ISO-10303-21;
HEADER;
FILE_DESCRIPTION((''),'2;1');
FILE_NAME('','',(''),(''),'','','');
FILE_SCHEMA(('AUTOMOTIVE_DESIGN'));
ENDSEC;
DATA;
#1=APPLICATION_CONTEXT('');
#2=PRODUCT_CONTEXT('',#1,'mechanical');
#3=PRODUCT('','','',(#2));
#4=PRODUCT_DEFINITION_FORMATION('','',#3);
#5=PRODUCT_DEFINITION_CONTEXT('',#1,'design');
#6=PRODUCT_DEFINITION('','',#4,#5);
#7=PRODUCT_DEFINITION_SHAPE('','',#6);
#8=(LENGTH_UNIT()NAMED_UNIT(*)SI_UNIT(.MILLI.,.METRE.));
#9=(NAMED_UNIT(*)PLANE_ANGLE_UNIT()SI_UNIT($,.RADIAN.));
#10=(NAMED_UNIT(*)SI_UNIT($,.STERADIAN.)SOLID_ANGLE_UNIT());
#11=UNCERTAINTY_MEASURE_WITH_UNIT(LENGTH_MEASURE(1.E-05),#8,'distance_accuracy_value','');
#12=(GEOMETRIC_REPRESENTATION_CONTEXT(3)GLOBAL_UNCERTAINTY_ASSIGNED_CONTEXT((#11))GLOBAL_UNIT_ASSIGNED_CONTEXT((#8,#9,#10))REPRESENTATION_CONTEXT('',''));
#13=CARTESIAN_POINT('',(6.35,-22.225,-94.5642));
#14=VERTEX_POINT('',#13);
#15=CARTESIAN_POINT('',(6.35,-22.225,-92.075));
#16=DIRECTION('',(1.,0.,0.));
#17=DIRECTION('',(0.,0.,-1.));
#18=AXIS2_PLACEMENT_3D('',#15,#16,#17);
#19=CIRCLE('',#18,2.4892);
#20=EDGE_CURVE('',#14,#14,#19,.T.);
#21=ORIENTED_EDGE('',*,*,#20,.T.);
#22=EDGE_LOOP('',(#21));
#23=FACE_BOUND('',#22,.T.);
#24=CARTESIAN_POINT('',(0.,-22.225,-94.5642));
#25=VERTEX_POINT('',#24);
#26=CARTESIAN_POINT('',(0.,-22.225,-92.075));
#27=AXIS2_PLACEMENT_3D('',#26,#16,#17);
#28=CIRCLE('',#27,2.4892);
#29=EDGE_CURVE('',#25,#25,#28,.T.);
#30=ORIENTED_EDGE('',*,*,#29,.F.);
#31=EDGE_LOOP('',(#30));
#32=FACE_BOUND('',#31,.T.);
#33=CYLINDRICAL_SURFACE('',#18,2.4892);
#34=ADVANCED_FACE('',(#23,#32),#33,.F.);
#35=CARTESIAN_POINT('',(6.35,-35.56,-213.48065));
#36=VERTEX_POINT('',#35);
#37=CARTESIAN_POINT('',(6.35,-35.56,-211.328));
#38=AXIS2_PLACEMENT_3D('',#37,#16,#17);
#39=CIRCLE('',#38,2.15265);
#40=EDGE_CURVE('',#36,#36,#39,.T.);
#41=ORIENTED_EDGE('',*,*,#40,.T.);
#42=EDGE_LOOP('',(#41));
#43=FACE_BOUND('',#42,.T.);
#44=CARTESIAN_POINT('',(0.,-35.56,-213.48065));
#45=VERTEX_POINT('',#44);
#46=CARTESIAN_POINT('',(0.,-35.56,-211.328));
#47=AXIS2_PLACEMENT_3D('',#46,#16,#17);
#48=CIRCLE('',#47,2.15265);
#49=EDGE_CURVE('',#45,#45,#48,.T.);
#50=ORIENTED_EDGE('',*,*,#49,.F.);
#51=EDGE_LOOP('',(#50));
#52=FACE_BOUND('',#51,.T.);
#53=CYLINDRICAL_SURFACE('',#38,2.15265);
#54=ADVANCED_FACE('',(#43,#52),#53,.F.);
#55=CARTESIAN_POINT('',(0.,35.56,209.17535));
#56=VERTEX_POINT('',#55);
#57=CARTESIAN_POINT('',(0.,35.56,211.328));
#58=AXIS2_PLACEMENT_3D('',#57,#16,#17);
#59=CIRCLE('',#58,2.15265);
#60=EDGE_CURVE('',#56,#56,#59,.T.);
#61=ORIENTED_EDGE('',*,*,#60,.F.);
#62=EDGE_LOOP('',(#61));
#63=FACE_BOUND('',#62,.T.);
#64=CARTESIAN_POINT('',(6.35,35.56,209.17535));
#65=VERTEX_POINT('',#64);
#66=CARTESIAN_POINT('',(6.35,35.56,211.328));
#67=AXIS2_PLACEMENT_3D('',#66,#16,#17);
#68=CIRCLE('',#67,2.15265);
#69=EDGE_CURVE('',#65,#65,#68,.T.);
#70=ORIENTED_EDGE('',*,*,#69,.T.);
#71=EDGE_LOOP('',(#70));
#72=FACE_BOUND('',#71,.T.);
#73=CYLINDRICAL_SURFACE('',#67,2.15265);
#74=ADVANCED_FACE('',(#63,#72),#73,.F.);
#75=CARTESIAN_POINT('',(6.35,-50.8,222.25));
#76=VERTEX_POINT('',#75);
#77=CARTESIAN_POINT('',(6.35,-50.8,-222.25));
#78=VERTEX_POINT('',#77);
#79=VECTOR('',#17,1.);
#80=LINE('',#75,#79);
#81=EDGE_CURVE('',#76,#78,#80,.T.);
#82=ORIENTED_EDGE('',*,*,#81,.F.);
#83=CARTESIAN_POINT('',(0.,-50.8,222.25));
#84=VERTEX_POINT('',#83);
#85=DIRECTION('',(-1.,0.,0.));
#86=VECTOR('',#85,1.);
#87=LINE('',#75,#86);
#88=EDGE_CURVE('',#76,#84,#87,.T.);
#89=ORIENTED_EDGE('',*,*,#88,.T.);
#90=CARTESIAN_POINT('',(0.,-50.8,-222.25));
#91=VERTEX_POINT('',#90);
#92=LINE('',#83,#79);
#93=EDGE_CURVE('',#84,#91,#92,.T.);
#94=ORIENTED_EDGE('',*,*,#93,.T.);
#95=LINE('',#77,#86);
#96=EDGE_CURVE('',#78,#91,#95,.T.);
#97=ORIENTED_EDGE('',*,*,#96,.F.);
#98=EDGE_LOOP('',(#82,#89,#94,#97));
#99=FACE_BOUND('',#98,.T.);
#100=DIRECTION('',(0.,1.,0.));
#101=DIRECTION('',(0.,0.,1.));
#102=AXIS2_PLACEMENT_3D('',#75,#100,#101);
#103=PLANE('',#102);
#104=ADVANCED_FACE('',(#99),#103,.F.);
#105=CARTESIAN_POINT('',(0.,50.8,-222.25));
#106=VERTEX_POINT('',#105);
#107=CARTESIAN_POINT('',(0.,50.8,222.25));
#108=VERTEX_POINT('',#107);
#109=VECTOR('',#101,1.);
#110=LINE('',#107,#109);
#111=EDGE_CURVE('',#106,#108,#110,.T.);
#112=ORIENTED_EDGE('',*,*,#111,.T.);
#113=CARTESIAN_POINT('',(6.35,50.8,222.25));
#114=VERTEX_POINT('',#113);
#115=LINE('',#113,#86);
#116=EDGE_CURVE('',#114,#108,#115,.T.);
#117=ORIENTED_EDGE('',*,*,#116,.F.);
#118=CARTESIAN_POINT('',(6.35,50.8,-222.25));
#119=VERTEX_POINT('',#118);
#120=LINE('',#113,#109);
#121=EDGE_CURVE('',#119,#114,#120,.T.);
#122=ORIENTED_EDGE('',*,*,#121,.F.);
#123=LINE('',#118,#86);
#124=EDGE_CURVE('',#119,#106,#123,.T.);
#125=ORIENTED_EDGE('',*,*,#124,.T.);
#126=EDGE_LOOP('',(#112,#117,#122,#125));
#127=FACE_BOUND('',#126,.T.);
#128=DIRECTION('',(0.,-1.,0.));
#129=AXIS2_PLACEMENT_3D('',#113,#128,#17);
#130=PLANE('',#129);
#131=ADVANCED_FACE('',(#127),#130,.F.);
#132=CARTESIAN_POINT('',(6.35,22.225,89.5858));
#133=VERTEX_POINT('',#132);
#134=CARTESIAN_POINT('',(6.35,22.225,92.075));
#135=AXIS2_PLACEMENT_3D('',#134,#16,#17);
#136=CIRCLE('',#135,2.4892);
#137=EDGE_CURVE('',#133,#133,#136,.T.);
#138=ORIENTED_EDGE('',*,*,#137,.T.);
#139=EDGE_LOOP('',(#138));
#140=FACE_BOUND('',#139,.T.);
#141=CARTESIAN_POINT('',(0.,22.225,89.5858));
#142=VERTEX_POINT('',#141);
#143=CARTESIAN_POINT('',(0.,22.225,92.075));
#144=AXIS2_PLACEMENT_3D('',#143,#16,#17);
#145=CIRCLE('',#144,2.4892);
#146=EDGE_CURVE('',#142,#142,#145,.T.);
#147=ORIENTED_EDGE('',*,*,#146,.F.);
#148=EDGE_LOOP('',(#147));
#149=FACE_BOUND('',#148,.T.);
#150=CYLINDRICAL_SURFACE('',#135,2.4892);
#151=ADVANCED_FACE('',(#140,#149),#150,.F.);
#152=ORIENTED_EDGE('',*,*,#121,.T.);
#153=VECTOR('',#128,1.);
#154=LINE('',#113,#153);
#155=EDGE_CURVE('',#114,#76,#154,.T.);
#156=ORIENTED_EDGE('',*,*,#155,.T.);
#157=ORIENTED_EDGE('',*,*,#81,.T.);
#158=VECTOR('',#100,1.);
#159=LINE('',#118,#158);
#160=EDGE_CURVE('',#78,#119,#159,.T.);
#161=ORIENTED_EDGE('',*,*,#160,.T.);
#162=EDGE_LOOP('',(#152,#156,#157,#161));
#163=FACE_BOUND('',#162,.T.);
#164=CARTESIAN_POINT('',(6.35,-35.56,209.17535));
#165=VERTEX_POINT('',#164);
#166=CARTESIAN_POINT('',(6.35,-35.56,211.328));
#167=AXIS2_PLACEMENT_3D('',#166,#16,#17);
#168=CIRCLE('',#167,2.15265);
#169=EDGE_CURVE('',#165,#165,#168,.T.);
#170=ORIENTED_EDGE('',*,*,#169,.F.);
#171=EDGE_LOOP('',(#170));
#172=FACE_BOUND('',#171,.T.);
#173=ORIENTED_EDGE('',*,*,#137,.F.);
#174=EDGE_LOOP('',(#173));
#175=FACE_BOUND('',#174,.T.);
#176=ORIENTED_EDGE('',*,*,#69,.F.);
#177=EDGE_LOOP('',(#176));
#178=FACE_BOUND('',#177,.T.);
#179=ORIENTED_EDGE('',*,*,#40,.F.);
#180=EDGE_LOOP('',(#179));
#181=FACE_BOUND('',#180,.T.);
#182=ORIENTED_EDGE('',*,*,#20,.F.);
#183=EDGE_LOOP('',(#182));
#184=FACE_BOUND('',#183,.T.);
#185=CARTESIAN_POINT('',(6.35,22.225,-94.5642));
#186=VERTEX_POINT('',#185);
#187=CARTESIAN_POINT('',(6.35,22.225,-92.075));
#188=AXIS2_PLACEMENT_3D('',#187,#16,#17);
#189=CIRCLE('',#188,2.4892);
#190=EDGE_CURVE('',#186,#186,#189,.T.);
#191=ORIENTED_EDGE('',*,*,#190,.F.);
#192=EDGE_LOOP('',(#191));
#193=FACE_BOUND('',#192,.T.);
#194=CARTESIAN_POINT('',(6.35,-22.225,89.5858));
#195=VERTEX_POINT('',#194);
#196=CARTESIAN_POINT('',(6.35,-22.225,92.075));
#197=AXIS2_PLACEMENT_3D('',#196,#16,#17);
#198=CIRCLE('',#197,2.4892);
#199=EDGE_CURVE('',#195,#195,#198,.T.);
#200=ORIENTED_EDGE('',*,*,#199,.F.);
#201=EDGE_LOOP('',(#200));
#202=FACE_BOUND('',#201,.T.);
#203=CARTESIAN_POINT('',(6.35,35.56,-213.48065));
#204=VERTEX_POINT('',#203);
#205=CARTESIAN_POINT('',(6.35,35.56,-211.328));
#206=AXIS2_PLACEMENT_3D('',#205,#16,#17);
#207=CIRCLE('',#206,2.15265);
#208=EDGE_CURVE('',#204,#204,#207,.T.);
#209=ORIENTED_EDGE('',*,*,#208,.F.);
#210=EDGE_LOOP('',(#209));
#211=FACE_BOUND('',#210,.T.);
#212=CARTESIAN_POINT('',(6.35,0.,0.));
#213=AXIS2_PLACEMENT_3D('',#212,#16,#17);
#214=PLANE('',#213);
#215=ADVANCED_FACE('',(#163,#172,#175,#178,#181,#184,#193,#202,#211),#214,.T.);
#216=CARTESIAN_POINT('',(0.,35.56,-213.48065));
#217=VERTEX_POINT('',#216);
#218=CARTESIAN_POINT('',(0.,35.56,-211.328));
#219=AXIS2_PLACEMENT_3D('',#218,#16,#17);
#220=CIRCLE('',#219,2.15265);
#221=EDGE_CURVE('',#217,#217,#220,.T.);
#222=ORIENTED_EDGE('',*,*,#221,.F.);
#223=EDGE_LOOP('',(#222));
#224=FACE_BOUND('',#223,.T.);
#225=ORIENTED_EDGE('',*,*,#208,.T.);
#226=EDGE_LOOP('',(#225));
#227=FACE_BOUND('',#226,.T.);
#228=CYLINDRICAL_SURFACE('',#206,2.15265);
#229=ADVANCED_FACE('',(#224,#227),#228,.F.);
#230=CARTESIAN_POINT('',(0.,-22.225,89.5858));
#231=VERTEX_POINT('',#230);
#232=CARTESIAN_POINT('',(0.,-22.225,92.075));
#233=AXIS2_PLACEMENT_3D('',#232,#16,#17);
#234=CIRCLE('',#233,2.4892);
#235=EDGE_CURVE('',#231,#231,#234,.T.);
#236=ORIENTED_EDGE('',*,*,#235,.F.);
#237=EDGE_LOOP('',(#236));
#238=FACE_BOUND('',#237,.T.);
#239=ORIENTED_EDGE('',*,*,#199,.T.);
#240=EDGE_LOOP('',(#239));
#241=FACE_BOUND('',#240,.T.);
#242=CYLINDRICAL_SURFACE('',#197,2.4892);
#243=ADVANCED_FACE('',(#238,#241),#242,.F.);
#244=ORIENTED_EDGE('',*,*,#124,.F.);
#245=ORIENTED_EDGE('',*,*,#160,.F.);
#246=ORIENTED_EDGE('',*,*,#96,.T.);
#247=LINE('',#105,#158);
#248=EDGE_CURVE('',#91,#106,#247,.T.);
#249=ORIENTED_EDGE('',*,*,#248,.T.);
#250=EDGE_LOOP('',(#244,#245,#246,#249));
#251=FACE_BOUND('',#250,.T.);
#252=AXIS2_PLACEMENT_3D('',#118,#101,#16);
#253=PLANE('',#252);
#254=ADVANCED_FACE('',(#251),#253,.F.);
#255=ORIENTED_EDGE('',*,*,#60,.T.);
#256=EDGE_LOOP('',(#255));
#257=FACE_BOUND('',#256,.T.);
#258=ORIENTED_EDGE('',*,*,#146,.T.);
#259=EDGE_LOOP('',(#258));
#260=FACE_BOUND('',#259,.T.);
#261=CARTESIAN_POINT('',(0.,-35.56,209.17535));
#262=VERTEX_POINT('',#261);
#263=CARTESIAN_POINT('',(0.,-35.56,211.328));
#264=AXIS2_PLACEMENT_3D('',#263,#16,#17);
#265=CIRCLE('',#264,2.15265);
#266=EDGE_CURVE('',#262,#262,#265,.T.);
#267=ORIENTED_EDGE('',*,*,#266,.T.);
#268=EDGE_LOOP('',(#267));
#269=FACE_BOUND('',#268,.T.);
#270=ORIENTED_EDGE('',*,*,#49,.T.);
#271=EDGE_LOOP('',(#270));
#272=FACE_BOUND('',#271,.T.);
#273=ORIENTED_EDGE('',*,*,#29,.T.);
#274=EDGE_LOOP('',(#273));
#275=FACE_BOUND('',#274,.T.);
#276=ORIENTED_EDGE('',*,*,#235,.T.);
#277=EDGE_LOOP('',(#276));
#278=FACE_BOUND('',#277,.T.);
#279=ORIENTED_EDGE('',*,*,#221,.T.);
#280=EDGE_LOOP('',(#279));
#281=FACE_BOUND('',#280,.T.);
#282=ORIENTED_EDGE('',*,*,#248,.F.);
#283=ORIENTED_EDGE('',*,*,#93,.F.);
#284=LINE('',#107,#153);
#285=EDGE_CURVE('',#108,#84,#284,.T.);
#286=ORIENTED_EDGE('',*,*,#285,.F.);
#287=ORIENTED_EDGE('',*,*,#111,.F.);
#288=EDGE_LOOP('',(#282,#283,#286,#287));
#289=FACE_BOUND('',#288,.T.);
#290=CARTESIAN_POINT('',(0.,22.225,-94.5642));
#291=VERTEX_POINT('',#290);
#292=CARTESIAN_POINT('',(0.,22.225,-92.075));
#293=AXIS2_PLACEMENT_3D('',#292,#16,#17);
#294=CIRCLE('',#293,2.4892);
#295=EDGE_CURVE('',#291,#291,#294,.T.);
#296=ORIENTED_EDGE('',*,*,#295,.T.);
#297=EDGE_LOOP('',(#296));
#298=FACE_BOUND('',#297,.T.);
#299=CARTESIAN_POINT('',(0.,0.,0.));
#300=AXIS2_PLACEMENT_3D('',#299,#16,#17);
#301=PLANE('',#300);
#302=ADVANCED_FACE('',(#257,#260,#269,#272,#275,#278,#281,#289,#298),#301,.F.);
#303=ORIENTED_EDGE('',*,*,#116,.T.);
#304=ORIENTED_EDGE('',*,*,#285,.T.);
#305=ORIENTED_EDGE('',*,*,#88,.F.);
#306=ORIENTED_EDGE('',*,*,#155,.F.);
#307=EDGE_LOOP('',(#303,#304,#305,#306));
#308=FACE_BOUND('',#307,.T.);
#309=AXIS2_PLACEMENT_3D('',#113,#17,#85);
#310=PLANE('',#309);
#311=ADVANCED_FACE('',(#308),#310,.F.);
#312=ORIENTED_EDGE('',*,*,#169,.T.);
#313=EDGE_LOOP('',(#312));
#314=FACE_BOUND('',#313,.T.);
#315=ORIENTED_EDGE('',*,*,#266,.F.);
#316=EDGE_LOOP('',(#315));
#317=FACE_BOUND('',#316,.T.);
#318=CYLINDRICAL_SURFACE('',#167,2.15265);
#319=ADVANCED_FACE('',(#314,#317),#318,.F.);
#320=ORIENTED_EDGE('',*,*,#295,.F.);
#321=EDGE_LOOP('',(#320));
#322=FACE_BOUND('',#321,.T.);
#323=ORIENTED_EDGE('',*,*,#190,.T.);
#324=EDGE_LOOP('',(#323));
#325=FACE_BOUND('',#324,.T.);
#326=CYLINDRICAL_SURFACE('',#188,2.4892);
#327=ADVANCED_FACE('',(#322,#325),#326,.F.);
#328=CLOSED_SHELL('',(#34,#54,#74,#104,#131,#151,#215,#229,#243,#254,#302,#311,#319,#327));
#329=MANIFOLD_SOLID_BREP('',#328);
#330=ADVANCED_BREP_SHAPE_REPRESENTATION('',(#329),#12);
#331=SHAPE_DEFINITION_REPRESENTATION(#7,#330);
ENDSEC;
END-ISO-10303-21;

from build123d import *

# Parameters (mm, degrees)
SKETCH1_W              = 444.5
SKETCH1_H              = 101.6
BOSS_EXTRUDE1_DEPTH    = 6.35
F_10_CLEARANCE_HOLE1_D = 4.9784
F_8_CLEARANCE_HOLE1_D  = 4.3053


with BuildPart() as part:
    # Sketch1 → Boss-Extrude1 (new body)
    with BuildSketch(Plane(origin=(0, 0, 0), x_dir=(0, 0, -1), z_dir=(1, 0, 0))):
        Rectangle(SKETCH1_W, SKETCH1_H)
    extrude(amount=BOSS_EXTRUDE1_DEPTH)

    # #10 Clearance Hole1 (through all)
    with Locations(Plane(origin=(6.35, 0, 0), x_dir=(0, 0, -1), z_dir=(1, 0, 0))):
        with Locations((92.075, 22.225), (92.075, -22.225), (-92.075, 22.225), (-92.075, -22.225)):
            Hole(F_10_CLEARANCE_HOLE1_D / 2)

    # #8 Clearance Hole1 (through all)
    with Locations(Plane(origin=(6.35, 0, 0), x_dir=(0, 0, -1), z_dir=(1, 0, 0))):
        with Locations((-211.328, 35.56), (-211.328, -35.56), (211.328, -35.56), (211.328, 35.56)):
            Hole(F_8_CLEARANCE_HOLE1_D / 2)


solid = part.part
